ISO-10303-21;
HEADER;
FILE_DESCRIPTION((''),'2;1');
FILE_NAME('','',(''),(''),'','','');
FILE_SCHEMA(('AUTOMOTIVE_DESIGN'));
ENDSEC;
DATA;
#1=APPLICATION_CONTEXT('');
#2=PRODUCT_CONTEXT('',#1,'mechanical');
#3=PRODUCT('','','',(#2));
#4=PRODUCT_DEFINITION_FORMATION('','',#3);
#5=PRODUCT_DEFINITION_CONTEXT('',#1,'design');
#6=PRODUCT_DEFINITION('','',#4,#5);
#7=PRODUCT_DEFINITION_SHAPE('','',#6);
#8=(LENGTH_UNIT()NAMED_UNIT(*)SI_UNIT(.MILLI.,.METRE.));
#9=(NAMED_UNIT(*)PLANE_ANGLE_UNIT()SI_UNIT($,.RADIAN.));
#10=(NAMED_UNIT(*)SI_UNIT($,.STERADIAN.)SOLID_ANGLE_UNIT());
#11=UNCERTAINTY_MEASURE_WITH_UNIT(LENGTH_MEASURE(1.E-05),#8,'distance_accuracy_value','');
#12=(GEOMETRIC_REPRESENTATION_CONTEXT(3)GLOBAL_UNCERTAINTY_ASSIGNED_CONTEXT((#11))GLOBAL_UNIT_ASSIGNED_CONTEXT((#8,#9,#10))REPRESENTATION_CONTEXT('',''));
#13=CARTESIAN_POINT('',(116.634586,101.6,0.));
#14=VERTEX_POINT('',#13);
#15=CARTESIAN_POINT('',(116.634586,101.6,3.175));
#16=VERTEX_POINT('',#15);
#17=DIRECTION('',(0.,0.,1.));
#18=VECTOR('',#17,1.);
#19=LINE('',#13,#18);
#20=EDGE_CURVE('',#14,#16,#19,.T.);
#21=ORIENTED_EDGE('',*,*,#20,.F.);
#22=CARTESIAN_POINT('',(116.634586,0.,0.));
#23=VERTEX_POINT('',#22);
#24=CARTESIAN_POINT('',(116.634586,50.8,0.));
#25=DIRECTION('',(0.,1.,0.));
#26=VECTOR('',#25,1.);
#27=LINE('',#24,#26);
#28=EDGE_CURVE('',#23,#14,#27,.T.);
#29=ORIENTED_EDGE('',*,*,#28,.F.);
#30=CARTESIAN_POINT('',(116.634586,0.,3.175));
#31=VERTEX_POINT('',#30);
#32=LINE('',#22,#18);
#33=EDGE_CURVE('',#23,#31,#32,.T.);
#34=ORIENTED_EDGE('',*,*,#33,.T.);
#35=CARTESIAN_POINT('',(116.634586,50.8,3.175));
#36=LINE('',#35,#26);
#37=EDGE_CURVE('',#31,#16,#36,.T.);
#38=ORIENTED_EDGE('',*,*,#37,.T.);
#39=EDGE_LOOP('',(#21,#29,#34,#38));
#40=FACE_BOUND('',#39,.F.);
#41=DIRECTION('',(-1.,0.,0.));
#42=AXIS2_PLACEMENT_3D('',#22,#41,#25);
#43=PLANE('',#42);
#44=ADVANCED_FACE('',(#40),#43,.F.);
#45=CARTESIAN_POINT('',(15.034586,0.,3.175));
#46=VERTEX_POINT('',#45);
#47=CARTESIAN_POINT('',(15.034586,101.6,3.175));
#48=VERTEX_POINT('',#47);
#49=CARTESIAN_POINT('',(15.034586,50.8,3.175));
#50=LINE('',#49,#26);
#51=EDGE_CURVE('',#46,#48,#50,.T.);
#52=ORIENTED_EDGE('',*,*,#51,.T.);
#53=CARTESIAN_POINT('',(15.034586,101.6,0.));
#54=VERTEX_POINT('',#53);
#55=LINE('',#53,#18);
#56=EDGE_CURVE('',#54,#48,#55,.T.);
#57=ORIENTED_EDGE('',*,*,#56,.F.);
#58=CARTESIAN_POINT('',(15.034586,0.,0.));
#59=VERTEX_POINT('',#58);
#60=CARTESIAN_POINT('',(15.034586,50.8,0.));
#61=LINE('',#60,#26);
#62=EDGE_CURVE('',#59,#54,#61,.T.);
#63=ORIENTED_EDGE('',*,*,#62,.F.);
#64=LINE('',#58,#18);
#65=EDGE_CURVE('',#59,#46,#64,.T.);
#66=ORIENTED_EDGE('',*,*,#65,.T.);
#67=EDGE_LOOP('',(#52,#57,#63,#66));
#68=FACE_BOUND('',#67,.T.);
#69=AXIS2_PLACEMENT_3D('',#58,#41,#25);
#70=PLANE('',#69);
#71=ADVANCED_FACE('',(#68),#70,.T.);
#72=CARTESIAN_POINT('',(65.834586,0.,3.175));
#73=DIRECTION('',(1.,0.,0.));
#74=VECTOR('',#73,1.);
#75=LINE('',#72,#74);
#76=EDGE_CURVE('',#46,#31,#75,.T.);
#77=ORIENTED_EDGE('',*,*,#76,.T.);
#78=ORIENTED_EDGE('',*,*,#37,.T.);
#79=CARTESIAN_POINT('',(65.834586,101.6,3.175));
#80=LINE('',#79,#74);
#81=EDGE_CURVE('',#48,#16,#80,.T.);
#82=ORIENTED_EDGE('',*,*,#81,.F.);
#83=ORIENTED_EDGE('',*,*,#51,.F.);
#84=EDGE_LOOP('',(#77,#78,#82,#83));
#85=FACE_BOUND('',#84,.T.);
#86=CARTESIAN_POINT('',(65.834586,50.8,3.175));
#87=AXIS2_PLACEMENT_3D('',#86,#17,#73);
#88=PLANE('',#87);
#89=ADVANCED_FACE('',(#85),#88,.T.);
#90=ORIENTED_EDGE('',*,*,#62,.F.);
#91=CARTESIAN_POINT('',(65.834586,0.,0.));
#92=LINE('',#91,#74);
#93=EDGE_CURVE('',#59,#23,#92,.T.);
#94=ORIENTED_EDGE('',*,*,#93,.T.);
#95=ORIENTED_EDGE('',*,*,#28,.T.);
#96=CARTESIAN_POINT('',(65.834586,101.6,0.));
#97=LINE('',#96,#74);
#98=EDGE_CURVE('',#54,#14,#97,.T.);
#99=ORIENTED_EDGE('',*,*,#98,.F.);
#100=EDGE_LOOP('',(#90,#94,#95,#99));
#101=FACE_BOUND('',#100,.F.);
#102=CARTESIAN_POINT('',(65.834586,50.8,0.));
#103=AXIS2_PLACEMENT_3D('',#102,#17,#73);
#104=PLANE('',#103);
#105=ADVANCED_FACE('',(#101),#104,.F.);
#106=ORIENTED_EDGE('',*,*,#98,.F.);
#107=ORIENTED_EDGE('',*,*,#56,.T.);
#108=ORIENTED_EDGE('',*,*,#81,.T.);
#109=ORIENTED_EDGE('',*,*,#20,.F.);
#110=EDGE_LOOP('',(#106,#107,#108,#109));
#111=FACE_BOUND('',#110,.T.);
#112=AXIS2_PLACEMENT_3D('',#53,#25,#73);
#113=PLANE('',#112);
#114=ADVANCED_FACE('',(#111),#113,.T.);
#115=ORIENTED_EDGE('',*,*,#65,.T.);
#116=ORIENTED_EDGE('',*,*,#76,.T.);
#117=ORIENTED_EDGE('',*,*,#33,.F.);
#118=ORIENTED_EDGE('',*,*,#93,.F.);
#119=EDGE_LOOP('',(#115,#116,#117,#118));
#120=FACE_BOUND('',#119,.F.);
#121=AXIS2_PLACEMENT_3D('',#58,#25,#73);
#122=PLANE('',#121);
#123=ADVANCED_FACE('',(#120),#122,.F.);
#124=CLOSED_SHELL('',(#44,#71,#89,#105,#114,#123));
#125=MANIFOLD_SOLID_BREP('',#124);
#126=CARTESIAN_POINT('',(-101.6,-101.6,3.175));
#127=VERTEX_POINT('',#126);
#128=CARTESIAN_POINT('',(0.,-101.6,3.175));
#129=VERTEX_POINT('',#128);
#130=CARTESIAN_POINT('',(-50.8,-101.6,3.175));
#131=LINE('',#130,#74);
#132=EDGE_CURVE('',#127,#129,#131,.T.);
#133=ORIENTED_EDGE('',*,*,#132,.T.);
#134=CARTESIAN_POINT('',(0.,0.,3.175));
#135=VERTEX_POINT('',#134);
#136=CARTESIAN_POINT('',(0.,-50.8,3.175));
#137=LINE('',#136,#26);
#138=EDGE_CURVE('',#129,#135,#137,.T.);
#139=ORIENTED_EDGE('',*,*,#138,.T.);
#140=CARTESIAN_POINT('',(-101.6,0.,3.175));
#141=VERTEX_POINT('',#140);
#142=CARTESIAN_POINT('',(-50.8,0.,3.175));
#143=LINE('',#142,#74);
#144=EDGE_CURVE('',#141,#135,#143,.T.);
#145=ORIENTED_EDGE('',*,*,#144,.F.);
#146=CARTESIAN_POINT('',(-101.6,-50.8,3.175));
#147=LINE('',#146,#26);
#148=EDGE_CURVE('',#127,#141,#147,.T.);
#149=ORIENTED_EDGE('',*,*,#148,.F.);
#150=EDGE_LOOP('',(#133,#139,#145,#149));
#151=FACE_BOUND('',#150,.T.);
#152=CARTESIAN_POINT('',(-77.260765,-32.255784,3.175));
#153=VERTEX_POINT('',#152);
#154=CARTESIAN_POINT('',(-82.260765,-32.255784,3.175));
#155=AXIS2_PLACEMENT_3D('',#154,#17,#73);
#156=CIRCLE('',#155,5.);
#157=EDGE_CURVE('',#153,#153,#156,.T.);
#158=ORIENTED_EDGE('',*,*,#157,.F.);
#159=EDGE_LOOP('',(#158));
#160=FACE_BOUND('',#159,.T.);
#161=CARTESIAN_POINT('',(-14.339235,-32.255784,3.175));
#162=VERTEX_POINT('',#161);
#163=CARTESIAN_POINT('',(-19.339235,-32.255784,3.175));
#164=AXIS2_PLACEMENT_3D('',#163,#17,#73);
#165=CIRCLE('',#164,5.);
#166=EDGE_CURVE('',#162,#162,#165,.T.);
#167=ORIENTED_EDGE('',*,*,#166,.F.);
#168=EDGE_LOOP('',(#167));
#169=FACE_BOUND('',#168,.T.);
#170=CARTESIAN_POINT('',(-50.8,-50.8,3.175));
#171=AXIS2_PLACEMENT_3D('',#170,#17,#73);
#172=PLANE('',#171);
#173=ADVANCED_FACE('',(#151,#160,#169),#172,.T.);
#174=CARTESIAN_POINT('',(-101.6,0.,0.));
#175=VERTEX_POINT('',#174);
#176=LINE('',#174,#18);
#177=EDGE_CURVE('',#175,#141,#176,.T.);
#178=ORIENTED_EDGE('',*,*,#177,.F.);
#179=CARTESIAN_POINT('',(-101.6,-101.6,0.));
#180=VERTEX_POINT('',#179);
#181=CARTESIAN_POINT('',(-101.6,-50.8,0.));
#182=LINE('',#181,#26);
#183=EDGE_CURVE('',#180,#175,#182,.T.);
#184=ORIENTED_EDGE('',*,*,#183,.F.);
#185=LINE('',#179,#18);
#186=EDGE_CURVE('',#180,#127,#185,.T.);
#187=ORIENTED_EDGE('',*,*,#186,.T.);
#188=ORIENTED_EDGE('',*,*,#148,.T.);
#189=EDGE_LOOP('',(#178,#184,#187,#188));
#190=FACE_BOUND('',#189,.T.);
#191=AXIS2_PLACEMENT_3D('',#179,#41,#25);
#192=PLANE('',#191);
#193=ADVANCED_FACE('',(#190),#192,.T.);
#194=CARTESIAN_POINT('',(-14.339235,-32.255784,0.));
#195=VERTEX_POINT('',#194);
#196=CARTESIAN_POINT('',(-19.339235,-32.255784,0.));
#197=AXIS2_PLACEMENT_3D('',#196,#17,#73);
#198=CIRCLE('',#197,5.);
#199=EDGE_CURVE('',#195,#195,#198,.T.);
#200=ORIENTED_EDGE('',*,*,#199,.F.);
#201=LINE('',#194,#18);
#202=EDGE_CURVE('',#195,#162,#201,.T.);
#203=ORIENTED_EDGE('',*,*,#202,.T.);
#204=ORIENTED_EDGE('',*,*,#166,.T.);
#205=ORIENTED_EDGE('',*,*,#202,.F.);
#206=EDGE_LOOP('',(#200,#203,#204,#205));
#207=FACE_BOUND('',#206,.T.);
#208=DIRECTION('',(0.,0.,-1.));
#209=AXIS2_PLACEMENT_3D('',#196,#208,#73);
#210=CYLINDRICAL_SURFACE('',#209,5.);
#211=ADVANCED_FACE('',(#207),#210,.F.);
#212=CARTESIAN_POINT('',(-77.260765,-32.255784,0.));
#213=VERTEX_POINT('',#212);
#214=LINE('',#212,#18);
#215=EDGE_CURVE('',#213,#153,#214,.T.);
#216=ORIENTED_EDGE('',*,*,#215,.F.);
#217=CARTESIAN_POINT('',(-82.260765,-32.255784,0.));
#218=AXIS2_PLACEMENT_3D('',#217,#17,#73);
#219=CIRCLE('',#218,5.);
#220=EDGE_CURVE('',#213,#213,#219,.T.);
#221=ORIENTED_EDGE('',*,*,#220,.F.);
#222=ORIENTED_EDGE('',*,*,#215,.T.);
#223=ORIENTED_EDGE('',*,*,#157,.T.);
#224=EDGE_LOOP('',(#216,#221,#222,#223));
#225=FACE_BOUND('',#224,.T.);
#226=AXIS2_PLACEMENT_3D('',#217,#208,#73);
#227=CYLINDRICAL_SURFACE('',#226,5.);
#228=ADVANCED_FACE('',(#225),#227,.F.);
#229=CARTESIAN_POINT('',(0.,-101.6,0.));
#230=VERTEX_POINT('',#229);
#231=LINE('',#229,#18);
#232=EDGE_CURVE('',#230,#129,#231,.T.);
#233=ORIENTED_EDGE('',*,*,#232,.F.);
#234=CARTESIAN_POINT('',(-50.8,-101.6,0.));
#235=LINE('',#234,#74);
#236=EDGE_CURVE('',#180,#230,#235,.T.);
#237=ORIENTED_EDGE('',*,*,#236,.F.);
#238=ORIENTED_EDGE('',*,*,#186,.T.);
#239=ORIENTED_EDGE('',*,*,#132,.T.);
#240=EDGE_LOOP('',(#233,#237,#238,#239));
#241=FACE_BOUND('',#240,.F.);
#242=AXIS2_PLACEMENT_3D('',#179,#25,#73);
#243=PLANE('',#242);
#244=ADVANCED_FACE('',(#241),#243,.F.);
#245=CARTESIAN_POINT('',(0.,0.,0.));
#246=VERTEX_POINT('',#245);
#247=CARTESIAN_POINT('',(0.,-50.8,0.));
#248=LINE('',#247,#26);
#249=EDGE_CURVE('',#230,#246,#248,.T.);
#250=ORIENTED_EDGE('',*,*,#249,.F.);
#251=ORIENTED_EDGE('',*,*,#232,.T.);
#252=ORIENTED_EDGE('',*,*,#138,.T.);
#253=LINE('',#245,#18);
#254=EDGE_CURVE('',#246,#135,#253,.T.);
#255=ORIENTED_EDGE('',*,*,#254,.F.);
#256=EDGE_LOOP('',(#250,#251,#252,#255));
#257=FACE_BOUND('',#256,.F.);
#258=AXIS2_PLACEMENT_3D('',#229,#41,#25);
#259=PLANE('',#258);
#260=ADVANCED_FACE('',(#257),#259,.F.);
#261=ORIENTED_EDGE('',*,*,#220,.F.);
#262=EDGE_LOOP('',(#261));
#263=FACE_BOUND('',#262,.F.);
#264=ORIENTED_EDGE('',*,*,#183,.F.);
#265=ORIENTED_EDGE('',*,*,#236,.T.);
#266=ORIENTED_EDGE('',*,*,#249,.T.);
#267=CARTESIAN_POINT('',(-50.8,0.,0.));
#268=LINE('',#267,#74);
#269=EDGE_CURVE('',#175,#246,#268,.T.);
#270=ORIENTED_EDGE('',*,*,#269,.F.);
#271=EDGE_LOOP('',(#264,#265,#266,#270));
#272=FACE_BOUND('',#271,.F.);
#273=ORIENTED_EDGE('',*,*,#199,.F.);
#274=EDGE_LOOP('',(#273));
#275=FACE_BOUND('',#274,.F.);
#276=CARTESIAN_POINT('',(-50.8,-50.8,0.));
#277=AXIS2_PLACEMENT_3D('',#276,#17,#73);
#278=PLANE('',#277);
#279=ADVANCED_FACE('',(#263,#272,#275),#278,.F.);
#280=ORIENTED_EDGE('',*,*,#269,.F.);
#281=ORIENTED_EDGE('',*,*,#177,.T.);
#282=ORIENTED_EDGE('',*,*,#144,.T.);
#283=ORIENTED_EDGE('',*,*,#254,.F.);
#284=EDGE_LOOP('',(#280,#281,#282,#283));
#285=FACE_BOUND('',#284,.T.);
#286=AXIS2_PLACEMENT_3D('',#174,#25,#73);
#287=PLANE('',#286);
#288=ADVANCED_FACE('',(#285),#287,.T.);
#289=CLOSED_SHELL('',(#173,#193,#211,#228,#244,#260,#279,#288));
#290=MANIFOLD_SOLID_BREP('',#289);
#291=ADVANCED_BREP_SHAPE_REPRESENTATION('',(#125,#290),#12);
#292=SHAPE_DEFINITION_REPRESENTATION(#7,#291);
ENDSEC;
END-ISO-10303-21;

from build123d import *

# Parameters (mm, degrees)
F0_W     = 101.6
F0_H     = 101.6
F0_R     = 5
F1_DEPTH = 3.175
F2_DEPTH = 3.175


with BuildPart() as f1:
    # F0 (on Top) → F1 (new body)
    with BuildSketch(Plane.XY):
        with Locations((-50.8, -50.8)):
            Rectangle(F0_W, F0_H)
        with Locations((-82.260765, -32.255784)):
            Circle(F0_R, mode=Mode.SUBTRACT)
        with Locations((-19.339235, -32.255784)):
            Circle(F0_R, mode=Mode.SUBTRACT)
    extrude(amount=F1_DEPTH)


with BuildPart() as f2:
    # F0 (on Top) → F2 (new body)
    with BuildSketch(Plane.XY):
        with Locations((65.834586, 50.8)):
            Rectangle(F0_W, F0_H)
    extrude(amount=F2_DEPTH)


solid = Compound([f1.part, f2.part])
